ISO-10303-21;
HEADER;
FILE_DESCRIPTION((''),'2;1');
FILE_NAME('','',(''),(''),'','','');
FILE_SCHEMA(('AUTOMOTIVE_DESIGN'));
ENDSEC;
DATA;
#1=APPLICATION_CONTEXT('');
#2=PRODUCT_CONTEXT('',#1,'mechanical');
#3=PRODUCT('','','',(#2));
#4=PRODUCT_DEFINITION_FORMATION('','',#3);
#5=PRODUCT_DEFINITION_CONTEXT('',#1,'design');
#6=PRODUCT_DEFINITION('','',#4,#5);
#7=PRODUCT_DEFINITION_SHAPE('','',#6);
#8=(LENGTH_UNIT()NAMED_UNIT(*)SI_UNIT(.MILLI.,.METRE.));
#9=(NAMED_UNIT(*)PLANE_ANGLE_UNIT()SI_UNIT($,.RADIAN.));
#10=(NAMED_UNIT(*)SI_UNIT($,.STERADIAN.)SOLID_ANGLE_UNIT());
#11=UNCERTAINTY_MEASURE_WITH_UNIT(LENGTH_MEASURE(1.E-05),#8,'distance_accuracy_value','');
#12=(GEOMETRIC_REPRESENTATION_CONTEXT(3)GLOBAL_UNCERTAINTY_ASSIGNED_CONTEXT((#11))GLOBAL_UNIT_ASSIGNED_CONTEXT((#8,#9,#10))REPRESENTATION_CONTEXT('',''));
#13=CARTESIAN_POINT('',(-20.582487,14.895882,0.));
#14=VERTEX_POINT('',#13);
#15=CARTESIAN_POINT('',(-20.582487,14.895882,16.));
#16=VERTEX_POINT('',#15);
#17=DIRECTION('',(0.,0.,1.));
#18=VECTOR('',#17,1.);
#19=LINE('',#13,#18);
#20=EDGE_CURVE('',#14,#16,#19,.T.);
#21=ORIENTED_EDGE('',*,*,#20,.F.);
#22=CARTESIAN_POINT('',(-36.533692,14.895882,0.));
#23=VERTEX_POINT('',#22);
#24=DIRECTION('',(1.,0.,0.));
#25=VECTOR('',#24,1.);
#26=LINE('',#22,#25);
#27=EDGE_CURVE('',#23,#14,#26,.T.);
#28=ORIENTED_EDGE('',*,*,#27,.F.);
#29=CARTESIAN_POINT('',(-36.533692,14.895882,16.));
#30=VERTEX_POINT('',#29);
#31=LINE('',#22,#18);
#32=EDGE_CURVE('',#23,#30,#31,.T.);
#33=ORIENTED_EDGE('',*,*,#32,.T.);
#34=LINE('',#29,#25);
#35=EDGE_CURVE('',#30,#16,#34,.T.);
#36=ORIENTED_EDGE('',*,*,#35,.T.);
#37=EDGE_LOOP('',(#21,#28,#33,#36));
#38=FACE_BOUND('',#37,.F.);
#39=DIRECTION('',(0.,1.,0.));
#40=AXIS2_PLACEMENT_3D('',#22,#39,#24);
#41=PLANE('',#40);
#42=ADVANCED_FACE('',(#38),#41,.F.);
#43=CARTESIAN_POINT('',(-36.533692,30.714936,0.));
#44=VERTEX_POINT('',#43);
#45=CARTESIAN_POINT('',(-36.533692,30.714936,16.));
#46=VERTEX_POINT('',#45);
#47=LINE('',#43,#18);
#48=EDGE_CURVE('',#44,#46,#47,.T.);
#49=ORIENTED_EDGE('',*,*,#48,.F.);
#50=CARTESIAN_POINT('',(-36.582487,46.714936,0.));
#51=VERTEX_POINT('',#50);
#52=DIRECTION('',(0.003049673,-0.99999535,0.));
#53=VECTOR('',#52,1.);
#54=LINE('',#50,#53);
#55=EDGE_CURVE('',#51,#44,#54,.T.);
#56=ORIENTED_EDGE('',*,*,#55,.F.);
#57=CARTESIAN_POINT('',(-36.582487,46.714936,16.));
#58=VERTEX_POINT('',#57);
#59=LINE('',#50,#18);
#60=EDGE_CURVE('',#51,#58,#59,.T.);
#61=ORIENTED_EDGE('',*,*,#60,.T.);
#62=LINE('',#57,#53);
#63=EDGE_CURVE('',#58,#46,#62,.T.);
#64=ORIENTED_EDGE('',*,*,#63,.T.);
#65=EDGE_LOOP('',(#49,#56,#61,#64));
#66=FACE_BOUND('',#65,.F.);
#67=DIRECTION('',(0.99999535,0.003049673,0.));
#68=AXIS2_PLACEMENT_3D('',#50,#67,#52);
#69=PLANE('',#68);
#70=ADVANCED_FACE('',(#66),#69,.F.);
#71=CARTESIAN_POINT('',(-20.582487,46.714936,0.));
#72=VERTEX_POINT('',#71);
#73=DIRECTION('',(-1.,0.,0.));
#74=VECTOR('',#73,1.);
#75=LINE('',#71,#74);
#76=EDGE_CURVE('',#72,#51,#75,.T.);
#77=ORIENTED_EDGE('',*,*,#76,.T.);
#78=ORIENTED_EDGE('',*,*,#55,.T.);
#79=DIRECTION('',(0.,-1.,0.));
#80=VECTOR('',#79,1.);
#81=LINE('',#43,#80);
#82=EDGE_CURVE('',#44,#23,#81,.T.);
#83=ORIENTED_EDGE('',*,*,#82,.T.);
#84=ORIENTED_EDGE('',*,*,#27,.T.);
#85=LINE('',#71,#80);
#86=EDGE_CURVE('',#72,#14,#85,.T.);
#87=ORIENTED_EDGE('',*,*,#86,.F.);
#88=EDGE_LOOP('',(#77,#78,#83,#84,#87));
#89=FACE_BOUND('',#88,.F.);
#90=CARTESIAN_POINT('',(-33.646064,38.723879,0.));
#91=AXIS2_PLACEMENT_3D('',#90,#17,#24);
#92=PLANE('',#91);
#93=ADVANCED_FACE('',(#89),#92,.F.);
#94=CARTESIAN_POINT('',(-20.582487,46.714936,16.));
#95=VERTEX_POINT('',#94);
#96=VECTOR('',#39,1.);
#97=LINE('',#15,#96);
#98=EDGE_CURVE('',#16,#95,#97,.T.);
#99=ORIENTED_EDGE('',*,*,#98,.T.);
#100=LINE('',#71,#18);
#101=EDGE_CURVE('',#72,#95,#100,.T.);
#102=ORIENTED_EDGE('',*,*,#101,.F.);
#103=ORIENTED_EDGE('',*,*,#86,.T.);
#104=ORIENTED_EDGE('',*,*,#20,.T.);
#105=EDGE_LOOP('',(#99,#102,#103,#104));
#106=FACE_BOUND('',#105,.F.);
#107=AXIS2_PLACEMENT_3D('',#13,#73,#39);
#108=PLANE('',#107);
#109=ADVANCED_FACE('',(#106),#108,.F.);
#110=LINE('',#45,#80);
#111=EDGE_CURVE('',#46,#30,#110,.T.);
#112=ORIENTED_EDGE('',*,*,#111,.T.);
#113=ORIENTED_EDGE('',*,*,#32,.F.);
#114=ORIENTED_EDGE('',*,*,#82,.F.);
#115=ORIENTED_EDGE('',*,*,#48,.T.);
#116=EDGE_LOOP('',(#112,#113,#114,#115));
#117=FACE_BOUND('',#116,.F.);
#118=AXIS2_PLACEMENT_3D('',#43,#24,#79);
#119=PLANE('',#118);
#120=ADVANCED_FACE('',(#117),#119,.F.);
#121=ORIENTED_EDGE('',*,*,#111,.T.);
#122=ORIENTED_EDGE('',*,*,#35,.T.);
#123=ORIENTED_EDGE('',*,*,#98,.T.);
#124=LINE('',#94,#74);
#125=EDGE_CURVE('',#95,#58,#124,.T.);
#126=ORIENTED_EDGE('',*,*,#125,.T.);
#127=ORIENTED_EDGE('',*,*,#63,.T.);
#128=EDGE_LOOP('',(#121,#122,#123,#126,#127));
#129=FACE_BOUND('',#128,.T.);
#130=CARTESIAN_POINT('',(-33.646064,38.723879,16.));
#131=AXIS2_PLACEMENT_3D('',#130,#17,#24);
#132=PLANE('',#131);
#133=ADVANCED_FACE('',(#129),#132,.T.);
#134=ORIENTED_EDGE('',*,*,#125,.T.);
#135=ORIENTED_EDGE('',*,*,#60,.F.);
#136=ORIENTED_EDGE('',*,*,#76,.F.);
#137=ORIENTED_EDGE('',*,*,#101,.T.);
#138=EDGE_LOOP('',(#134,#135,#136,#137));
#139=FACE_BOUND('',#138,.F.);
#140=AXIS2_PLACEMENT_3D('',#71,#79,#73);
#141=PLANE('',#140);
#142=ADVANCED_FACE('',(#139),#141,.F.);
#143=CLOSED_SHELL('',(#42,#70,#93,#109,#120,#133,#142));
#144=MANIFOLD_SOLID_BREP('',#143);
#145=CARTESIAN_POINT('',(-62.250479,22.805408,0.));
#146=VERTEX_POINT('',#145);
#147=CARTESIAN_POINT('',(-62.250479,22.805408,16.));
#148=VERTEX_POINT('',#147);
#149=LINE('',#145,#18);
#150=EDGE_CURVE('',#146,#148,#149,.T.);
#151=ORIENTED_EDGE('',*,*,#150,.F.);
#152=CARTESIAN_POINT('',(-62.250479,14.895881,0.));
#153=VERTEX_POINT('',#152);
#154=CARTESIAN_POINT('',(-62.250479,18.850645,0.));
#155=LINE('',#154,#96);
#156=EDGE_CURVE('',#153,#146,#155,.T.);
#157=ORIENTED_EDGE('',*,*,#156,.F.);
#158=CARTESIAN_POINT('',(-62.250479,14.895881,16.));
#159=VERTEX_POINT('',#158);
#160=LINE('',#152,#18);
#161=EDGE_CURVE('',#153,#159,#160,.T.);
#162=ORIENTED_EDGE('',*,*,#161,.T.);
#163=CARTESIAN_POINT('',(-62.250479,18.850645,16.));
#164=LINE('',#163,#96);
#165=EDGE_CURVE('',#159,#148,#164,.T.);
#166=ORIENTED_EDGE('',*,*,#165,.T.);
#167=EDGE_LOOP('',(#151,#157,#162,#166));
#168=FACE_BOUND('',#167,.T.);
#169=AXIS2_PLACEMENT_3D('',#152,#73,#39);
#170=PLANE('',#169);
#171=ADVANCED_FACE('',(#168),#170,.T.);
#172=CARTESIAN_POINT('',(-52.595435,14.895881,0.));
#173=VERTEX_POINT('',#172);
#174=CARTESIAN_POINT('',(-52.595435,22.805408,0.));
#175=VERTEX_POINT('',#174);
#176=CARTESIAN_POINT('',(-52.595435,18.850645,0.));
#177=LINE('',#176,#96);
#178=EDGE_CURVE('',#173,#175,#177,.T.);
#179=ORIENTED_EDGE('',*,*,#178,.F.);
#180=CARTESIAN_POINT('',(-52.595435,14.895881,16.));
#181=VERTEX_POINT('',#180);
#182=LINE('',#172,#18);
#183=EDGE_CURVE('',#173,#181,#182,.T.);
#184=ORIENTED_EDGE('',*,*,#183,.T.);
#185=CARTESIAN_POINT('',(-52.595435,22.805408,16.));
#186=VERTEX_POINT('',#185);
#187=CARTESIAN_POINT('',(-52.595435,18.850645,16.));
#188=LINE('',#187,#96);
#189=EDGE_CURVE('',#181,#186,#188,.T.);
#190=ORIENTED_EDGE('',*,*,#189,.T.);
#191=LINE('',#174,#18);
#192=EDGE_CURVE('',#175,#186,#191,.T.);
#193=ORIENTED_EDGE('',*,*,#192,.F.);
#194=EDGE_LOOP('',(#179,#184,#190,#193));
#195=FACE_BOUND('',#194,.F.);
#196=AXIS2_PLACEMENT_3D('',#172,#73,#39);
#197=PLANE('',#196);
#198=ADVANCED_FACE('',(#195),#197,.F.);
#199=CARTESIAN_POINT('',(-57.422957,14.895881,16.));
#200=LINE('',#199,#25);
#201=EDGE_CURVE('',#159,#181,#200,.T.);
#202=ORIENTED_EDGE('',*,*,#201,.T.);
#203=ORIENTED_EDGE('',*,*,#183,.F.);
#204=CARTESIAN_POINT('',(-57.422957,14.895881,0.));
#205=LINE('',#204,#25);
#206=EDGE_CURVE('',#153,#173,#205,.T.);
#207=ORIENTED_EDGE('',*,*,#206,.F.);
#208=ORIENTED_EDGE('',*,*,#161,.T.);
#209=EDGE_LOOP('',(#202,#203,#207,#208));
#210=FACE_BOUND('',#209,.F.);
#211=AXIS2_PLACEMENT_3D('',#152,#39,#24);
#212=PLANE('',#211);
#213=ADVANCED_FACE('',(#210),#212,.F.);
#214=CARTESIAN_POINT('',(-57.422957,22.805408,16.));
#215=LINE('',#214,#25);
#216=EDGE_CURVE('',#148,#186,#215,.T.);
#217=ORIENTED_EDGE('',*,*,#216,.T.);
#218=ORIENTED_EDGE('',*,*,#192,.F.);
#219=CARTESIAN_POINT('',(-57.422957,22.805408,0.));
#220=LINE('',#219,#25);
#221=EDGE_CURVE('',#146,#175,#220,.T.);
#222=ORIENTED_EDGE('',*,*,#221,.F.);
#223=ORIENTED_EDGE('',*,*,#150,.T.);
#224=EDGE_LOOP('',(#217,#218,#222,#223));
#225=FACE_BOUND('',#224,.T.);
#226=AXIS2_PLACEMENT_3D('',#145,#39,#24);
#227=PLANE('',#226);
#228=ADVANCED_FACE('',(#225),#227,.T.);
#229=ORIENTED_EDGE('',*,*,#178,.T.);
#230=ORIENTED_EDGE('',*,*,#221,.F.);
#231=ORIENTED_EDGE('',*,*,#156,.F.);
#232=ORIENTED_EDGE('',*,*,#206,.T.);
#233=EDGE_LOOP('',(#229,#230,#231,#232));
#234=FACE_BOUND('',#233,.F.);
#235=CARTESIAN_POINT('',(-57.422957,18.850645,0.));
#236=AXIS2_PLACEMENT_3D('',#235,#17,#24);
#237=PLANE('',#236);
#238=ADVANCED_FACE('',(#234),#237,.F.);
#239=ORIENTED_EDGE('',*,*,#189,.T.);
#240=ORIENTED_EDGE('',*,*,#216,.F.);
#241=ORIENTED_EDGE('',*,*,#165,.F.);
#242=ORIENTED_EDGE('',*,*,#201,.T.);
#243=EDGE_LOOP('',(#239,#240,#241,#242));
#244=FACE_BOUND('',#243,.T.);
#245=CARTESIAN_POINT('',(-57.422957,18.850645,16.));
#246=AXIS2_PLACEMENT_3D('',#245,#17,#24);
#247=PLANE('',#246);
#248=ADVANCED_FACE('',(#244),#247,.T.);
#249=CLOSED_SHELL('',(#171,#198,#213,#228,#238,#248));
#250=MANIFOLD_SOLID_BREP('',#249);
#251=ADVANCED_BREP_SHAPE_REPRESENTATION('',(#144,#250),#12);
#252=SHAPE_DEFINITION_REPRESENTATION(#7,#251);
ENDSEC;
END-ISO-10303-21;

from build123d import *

# Parameters (mm, degrees)
F0_W     = 10.151514
F0_H     = 16
F0_W_2   = 9.655044
F0_H_2   = 7.909527
F1_DEPTH = 16
F2_DEPTH = 16
F3_DEPTH = 16


with BuildPart() as f1:
    # F0 (on Top) → F1 (new body)
    with BuildSketch(Plane.XY):
        Polygon((-36.582487, 46.714936), (-36.533692, 30.714936), (-30.734001, 30.714936), (-30.734001, 46.714936), align=None)
        Polygon((-30.734001, 30.714936), (-36.533692, 30.714936), (-36.533692, 14.895882), (-20.582487, 14.895882), (-20.582487, 30.714936), align=None)
        with Locations((-25.658244, 38.714936)):
            Rectangle(F0_W, F0_H)
        with Locations((-57.422957, 18.850645)):
            Rectangle(F0_W_2, F0_H_2)
    extrude(amount=F1_DEPTH)

    # F0 (on Top) → F2 (join)
    with BuildSketch(Plane.XY):
        Polygon((-30.734001, 30.714936), (-36.533692, 30.714936), (-36.533692, 14.895882), (-20.582487, 14.895882), (-20.582487, 30.714936), align=None)
    extrude(amount=F2_DEPTH)

    # F0 (on Top) → F3 (join)
    with BuildSketch(Plane.XY):
        with Locations((-57.422957, 18.850645)):
            Rectangle(F0_W_2, F0_H_2)
    extrude(amount=F3_DEPTH)


solid = f1.part
